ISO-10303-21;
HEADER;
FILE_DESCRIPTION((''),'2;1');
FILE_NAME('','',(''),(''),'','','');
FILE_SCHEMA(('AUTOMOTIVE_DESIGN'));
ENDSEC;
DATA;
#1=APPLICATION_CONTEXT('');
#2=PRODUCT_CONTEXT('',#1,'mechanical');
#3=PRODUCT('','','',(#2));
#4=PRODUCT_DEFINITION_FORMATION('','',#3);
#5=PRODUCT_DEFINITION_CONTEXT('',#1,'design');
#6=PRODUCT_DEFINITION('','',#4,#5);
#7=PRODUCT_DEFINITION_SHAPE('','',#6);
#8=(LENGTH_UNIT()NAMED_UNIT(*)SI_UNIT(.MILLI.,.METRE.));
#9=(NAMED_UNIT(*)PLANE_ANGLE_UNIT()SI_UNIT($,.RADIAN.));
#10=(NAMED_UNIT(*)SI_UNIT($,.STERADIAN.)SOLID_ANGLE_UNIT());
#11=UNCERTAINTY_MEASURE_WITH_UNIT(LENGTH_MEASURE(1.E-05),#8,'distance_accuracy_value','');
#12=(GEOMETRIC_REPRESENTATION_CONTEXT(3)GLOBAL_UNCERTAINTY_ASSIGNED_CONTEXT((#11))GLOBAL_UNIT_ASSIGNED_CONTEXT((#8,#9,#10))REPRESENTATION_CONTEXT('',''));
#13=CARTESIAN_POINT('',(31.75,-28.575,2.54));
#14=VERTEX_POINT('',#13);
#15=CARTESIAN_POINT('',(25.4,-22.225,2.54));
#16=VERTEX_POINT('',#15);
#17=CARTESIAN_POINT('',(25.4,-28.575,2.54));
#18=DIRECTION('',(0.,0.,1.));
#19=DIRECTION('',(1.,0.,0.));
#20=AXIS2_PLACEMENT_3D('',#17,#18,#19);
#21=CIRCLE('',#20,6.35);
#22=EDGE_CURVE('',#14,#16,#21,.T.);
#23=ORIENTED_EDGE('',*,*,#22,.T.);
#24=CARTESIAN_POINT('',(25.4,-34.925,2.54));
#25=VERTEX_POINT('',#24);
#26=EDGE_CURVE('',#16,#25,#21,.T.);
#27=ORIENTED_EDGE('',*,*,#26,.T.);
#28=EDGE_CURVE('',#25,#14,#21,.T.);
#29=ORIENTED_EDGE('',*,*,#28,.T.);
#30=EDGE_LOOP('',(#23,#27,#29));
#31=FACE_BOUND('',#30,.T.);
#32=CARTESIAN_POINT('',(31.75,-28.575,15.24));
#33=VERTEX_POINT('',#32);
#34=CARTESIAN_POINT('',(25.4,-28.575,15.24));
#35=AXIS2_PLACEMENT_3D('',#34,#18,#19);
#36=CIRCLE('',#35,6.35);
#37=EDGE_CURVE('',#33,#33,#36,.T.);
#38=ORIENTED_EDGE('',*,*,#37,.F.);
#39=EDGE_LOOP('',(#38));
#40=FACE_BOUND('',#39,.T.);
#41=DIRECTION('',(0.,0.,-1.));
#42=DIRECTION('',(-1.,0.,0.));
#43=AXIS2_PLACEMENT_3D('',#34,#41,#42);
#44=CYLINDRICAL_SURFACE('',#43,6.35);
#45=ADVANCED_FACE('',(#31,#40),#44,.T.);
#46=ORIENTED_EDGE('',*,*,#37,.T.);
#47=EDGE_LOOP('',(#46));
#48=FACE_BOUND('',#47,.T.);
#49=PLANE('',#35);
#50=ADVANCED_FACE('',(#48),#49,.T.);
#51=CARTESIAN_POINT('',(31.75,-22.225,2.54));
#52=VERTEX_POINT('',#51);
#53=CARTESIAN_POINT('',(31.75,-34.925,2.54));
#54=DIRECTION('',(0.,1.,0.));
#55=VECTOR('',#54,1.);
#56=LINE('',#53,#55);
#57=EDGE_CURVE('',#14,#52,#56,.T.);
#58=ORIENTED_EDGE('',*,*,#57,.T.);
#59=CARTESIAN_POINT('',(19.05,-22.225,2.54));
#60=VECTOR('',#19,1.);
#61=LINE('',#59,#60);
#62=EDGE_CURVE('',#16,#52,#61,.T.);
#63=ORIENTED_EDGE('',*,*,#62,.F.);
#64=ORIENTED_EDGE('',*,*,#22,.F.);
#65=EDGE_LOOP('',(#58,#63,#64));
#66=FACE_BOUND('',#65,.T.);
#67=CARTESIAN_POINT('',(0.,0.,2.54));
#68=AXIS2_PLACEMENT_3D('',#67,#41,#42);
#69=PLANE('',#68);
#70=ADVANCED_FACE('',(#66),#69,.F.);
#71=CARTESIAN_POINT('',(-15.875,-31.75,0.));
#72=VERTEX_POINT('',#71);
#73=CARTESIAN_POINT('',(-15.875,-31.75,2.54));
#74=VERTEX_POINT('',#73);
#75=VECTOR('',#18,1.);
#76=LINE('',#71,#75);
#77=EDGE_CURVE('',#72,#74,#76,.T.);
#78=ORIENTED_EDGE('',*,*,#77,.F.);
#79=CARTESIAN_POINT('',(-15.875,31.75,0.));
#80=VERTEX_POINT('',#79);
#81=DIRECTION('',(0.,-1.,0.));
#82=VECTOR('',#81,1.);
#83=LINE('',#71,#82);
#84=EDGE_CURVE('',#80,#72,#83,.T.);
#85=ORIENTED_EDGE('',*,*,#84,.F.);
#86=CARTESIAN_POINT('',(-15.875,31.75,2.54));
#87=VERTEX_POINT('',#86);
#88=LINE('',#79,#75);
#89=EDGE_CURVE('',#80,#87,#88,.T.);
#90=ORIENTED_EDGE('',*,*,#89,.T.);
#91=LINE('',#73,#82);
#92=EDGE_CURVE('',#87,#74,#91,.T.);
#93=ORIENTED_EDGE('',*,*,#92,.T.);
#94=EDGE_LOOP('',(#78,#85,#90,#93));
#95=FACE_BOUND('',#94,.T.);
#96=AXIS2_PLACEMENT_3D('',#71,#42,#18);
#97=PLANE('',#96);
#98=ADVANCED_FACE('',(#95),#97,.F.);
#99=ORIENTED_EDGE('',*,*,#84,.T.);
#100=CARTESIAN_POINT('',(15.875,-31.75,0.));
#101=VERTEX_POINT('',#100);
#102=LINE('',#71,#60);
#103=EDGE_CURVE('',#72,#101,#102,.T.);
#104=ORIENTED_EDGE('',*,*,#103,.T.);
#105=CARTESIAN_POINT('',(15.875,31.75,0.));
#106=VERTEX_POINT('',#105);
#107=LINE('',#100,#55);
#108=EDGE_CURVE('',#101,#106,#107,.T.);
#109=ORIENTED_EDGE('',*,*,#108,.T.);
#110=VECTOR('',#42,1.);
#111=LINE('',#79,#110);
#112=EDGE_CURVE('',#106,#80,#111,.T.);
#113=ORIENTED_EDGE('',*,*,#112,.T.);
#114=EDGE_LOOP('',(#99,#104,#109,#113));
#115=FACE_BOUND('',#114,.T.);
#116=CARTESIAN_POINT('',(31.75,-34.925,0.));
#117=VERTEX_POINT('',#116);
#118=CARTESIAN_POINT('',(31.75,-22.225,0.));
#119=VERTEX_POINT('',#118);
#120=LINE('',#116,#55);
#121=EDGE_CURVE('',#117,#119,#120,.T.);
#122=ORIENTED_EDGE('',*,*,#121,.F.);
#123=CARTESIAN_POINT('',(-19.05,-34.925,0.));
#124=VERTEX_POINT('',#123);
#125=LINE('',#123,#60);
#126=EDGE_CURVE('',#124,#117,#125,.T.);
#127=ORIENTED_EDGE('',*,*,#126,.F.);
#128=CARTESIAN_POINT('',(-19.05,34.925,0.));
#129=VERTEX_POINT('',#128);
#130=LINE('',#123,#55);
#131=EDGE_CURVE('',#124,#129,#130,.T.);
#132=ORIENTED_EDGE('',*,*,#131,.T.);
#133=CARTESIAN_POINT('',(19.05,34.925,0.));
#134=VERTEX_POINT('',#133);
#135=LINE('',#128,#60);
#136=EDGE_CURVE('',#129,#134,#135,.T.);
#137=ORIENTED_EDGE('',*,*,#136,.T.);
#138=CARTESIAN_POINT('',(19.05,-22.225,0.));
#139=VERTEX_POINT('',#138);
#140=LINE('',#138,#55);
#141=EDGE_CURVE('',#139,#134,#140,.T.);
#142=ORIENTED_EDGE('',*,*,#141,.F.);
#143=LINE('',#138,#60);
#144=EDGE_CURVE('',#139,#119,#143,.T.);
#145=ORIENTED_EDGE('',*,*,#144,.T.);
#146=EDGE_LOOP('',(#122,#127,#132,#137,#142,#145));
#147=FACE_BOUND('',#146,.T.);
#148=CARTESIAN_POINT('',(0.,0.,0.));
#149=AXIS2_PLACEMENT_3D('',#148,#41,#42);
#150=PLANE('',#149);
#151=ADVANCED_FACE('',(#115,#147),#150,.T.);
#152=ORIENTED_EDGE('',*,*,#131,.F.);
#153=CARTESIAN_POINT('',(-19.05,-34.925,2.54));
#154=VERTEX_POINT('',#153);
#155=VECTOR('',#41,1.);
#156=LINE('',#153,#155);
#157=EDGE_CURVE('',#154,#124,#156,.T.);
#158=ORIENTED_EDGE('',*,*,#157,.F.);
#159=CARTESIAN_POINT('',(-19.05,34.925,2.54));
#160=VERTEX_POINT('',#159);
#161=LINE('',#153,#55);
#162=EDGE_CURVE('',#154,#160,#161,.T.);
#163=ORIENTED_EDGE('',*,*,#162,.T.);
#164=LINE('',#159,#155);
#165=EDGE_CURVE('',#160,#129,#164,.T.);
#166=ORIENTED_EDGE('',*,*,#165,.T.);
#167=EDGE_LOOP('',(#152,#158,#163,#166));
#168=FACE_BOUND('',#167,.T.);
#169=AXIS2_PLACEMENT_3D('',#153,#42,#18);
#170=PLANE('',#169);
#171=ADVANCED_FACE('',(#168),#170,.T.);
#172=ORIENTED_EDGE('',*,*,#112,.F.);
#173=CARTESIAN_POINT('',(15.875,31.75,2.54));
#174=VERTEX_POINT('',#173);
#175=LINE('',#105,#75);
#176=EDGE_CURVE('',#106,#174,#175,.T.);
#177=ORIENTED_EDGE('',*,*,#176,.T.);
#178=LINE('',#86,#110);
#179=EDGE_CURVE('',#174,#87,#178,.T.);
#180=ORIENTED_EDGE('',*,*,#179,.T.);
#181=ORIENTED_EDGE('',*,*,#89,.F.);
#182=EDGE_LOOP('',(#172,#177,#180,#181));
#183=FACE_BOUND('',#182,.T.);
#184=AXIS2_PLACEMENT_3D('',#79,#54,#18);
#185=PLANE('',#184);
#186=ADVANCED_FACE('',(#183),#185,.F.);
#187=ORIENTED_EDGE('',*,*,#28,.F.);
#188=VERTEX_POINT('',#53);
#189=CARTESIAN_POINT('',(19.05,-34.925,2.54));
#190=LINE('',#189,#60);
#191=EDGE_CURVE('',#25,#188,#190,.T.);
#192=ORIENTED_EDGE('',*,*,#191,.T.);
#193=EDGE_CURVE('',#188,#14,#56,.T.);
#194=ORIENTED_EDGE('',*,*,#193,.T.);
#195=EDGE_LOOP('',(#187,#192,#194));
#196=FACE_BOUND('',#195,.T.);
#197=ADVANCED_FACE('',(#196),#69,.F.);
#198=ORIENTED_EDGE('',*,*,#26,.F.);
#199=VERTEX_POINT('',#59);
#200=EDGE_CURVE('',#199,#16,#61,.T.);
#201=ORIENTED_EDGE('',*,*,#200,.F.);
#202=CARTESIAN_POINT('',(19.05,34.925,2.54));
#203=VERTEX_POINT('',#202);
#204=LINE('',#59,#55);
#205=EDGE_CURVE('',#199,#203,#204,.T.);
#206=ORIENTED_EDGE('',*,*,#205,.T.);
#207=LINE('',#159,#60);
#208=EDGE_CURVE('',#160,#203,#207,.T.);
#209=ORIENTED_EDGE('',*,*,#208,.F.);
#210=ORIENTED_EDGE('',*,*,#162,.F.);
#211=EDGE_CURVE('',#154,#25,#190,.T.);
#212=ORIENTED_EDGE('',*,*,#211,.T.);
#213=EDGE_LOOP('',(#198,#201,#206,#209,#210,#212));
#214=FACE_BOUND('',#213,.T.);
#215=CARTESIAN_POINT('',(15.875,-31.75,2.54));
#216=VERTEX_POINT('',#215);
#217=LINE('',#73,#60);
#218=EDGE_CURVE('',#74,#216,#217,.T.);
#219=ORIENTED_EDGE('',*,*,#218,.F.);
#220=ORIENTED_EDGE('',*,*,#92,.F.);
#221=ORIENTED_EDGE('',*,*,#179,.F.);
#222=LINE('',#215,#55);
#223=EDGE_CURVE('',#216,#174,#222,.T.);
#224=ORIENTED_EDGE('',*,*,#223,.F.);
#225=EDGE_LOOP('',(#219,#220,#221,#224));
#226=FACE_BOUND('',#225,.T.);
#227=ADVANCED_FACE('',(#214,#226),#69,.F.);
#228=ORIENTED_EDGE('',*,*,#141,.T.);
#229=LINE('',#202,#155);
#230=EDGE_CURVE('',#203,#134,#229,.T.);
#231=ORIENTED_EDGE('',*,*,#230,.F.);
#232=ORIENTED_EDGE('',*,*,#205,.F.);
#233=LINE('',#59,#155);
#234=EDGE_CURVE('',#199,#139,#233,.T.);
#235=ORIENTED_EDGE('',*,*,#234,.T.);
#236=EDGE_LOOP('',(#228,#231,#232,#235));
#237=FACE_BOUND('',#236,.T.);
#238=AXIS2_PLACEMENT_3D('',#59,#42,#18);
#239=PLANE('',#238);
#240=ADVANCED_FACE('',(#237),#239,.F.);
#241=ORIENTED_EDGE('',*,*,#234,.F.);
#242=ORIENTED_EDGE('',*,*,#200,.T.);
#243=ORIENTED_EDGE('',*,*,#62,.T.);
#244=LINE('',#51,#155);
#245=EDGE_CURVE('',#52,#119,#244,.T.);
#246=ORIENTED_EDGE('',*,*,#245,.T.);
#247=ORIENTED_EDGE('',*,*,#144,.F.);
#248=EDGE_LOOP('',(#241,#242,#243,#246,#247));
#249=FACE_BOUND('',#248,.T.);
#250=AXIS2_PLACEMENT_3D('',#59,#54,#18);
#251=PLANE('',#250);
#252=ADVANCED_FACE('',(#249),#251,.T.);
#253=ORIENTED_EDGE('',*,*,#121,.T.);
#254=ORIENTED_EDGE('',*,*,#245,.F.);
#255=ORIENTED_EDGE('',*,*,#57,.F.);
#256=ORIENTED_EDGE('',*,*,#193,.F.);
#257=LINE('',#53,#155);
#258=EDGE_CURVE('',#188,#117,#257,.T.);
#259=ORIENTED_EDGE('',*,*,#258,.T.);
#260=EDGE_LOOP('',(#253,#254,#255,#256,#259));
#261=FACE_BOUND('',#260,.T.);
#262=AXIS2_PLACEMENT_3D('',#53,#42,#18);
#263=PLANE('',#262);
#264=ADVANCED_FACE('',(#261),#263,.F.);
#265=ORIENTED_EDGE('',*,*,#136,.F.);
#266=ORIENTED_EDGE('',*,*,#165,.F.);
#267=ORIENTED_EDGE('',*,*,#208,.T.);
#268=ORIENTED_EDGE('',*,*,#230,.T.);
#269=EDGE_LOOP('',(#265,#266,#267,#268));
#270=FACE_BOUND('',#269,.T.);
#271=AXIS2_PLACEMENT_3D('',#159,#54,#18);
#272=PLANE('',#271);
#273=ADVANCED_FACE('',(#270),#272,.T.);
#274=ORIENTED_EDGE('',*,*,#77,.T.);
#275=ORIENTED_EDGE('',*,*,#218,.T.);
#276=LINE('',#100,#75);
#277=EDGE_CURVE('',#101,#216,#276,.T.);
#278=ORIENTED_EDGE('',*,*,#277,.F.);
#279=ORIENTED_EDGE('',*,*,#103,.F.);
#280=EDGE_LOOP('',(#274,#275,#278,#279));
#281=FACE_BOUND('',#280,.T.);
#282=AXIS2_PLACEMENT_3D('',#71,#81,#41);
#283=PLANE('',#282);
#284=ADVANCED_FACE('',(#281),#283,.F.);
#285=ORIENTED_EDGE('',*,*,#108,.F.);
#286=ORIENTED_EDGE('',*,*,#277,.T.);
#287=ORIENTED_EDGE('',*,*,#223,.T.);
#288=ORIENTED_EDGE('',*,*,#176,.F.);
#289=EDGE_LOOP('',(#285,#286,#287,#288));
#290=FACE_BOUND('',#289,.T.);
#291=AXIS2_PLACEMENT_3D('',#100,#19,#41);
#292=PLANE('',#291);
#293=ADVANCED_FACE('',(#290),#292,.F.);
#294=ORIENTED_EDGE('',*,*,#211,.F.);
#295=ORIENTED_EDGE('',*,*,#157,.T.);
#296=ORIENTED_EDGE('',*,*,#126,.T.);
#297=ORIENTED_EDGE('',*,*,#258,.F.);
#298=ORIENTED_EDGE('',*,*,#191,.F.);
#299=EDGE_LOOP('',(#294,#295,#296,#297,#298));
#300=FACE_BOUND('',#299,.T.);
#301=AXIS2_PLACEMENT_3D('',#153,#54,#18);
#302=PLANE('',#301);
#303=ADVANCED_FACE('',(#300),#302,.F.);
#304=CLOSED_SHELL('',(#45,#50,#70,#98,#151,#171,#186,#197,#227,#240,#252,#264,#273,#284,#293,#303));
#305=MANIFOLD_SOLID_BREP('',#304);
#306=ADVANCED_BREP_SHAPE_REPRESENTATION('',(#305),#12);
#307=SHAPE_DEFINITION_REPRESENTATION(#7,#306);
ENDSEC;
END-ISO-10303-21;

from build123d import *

# Parameters (mm, degrees)
BOSS_EXTRUDE1_DEPTH = 2.54
SKETCH2_W           = 31.75
SKETCH2_H           = 63.5
CUT_EXTRUDE1_DEPTH  = 48.268062421
SKETCH3_R           = 6.35
BOSS_EXTRUDE2_DEPTH = 12.7


with BuildPart() as part:
    # Sketch1 → Boss-Extrude1 (new body)
    with BuildSketch(Plane.XY):
        Polygon((-19.05, -34.925), (19.05, -34.925), (31.75, -34.925), (31.75, -22.225), (19.05, -22.225), (19.05, 34.925), (-19.05, 34.925), align=None)
    extrude(amount=BOSS_EXTRUDE1_DEPTH)

    # Sketch2 → Cut-Extrude1 (cut, through all)
    with BuildSketch(Plane.XY.offset(2.54)):
        Rectangle(SKETCH2_W, SKETCH2_H)
    extrude(amount=-CUT_EXTRUDE1_DEPTH, mode=Mode.SUBTRACT)

    # Sketch3 → Boss-Extrude2 (add)
    with BuildSketch(Plane.XY.offset(2.54)):
        with Locations((25.4, -28.575)):
            Circle(SKETCH3_R)
    extrude(amount=BOSS_EXTRUDE2_DEPTH)


solid = part.part
